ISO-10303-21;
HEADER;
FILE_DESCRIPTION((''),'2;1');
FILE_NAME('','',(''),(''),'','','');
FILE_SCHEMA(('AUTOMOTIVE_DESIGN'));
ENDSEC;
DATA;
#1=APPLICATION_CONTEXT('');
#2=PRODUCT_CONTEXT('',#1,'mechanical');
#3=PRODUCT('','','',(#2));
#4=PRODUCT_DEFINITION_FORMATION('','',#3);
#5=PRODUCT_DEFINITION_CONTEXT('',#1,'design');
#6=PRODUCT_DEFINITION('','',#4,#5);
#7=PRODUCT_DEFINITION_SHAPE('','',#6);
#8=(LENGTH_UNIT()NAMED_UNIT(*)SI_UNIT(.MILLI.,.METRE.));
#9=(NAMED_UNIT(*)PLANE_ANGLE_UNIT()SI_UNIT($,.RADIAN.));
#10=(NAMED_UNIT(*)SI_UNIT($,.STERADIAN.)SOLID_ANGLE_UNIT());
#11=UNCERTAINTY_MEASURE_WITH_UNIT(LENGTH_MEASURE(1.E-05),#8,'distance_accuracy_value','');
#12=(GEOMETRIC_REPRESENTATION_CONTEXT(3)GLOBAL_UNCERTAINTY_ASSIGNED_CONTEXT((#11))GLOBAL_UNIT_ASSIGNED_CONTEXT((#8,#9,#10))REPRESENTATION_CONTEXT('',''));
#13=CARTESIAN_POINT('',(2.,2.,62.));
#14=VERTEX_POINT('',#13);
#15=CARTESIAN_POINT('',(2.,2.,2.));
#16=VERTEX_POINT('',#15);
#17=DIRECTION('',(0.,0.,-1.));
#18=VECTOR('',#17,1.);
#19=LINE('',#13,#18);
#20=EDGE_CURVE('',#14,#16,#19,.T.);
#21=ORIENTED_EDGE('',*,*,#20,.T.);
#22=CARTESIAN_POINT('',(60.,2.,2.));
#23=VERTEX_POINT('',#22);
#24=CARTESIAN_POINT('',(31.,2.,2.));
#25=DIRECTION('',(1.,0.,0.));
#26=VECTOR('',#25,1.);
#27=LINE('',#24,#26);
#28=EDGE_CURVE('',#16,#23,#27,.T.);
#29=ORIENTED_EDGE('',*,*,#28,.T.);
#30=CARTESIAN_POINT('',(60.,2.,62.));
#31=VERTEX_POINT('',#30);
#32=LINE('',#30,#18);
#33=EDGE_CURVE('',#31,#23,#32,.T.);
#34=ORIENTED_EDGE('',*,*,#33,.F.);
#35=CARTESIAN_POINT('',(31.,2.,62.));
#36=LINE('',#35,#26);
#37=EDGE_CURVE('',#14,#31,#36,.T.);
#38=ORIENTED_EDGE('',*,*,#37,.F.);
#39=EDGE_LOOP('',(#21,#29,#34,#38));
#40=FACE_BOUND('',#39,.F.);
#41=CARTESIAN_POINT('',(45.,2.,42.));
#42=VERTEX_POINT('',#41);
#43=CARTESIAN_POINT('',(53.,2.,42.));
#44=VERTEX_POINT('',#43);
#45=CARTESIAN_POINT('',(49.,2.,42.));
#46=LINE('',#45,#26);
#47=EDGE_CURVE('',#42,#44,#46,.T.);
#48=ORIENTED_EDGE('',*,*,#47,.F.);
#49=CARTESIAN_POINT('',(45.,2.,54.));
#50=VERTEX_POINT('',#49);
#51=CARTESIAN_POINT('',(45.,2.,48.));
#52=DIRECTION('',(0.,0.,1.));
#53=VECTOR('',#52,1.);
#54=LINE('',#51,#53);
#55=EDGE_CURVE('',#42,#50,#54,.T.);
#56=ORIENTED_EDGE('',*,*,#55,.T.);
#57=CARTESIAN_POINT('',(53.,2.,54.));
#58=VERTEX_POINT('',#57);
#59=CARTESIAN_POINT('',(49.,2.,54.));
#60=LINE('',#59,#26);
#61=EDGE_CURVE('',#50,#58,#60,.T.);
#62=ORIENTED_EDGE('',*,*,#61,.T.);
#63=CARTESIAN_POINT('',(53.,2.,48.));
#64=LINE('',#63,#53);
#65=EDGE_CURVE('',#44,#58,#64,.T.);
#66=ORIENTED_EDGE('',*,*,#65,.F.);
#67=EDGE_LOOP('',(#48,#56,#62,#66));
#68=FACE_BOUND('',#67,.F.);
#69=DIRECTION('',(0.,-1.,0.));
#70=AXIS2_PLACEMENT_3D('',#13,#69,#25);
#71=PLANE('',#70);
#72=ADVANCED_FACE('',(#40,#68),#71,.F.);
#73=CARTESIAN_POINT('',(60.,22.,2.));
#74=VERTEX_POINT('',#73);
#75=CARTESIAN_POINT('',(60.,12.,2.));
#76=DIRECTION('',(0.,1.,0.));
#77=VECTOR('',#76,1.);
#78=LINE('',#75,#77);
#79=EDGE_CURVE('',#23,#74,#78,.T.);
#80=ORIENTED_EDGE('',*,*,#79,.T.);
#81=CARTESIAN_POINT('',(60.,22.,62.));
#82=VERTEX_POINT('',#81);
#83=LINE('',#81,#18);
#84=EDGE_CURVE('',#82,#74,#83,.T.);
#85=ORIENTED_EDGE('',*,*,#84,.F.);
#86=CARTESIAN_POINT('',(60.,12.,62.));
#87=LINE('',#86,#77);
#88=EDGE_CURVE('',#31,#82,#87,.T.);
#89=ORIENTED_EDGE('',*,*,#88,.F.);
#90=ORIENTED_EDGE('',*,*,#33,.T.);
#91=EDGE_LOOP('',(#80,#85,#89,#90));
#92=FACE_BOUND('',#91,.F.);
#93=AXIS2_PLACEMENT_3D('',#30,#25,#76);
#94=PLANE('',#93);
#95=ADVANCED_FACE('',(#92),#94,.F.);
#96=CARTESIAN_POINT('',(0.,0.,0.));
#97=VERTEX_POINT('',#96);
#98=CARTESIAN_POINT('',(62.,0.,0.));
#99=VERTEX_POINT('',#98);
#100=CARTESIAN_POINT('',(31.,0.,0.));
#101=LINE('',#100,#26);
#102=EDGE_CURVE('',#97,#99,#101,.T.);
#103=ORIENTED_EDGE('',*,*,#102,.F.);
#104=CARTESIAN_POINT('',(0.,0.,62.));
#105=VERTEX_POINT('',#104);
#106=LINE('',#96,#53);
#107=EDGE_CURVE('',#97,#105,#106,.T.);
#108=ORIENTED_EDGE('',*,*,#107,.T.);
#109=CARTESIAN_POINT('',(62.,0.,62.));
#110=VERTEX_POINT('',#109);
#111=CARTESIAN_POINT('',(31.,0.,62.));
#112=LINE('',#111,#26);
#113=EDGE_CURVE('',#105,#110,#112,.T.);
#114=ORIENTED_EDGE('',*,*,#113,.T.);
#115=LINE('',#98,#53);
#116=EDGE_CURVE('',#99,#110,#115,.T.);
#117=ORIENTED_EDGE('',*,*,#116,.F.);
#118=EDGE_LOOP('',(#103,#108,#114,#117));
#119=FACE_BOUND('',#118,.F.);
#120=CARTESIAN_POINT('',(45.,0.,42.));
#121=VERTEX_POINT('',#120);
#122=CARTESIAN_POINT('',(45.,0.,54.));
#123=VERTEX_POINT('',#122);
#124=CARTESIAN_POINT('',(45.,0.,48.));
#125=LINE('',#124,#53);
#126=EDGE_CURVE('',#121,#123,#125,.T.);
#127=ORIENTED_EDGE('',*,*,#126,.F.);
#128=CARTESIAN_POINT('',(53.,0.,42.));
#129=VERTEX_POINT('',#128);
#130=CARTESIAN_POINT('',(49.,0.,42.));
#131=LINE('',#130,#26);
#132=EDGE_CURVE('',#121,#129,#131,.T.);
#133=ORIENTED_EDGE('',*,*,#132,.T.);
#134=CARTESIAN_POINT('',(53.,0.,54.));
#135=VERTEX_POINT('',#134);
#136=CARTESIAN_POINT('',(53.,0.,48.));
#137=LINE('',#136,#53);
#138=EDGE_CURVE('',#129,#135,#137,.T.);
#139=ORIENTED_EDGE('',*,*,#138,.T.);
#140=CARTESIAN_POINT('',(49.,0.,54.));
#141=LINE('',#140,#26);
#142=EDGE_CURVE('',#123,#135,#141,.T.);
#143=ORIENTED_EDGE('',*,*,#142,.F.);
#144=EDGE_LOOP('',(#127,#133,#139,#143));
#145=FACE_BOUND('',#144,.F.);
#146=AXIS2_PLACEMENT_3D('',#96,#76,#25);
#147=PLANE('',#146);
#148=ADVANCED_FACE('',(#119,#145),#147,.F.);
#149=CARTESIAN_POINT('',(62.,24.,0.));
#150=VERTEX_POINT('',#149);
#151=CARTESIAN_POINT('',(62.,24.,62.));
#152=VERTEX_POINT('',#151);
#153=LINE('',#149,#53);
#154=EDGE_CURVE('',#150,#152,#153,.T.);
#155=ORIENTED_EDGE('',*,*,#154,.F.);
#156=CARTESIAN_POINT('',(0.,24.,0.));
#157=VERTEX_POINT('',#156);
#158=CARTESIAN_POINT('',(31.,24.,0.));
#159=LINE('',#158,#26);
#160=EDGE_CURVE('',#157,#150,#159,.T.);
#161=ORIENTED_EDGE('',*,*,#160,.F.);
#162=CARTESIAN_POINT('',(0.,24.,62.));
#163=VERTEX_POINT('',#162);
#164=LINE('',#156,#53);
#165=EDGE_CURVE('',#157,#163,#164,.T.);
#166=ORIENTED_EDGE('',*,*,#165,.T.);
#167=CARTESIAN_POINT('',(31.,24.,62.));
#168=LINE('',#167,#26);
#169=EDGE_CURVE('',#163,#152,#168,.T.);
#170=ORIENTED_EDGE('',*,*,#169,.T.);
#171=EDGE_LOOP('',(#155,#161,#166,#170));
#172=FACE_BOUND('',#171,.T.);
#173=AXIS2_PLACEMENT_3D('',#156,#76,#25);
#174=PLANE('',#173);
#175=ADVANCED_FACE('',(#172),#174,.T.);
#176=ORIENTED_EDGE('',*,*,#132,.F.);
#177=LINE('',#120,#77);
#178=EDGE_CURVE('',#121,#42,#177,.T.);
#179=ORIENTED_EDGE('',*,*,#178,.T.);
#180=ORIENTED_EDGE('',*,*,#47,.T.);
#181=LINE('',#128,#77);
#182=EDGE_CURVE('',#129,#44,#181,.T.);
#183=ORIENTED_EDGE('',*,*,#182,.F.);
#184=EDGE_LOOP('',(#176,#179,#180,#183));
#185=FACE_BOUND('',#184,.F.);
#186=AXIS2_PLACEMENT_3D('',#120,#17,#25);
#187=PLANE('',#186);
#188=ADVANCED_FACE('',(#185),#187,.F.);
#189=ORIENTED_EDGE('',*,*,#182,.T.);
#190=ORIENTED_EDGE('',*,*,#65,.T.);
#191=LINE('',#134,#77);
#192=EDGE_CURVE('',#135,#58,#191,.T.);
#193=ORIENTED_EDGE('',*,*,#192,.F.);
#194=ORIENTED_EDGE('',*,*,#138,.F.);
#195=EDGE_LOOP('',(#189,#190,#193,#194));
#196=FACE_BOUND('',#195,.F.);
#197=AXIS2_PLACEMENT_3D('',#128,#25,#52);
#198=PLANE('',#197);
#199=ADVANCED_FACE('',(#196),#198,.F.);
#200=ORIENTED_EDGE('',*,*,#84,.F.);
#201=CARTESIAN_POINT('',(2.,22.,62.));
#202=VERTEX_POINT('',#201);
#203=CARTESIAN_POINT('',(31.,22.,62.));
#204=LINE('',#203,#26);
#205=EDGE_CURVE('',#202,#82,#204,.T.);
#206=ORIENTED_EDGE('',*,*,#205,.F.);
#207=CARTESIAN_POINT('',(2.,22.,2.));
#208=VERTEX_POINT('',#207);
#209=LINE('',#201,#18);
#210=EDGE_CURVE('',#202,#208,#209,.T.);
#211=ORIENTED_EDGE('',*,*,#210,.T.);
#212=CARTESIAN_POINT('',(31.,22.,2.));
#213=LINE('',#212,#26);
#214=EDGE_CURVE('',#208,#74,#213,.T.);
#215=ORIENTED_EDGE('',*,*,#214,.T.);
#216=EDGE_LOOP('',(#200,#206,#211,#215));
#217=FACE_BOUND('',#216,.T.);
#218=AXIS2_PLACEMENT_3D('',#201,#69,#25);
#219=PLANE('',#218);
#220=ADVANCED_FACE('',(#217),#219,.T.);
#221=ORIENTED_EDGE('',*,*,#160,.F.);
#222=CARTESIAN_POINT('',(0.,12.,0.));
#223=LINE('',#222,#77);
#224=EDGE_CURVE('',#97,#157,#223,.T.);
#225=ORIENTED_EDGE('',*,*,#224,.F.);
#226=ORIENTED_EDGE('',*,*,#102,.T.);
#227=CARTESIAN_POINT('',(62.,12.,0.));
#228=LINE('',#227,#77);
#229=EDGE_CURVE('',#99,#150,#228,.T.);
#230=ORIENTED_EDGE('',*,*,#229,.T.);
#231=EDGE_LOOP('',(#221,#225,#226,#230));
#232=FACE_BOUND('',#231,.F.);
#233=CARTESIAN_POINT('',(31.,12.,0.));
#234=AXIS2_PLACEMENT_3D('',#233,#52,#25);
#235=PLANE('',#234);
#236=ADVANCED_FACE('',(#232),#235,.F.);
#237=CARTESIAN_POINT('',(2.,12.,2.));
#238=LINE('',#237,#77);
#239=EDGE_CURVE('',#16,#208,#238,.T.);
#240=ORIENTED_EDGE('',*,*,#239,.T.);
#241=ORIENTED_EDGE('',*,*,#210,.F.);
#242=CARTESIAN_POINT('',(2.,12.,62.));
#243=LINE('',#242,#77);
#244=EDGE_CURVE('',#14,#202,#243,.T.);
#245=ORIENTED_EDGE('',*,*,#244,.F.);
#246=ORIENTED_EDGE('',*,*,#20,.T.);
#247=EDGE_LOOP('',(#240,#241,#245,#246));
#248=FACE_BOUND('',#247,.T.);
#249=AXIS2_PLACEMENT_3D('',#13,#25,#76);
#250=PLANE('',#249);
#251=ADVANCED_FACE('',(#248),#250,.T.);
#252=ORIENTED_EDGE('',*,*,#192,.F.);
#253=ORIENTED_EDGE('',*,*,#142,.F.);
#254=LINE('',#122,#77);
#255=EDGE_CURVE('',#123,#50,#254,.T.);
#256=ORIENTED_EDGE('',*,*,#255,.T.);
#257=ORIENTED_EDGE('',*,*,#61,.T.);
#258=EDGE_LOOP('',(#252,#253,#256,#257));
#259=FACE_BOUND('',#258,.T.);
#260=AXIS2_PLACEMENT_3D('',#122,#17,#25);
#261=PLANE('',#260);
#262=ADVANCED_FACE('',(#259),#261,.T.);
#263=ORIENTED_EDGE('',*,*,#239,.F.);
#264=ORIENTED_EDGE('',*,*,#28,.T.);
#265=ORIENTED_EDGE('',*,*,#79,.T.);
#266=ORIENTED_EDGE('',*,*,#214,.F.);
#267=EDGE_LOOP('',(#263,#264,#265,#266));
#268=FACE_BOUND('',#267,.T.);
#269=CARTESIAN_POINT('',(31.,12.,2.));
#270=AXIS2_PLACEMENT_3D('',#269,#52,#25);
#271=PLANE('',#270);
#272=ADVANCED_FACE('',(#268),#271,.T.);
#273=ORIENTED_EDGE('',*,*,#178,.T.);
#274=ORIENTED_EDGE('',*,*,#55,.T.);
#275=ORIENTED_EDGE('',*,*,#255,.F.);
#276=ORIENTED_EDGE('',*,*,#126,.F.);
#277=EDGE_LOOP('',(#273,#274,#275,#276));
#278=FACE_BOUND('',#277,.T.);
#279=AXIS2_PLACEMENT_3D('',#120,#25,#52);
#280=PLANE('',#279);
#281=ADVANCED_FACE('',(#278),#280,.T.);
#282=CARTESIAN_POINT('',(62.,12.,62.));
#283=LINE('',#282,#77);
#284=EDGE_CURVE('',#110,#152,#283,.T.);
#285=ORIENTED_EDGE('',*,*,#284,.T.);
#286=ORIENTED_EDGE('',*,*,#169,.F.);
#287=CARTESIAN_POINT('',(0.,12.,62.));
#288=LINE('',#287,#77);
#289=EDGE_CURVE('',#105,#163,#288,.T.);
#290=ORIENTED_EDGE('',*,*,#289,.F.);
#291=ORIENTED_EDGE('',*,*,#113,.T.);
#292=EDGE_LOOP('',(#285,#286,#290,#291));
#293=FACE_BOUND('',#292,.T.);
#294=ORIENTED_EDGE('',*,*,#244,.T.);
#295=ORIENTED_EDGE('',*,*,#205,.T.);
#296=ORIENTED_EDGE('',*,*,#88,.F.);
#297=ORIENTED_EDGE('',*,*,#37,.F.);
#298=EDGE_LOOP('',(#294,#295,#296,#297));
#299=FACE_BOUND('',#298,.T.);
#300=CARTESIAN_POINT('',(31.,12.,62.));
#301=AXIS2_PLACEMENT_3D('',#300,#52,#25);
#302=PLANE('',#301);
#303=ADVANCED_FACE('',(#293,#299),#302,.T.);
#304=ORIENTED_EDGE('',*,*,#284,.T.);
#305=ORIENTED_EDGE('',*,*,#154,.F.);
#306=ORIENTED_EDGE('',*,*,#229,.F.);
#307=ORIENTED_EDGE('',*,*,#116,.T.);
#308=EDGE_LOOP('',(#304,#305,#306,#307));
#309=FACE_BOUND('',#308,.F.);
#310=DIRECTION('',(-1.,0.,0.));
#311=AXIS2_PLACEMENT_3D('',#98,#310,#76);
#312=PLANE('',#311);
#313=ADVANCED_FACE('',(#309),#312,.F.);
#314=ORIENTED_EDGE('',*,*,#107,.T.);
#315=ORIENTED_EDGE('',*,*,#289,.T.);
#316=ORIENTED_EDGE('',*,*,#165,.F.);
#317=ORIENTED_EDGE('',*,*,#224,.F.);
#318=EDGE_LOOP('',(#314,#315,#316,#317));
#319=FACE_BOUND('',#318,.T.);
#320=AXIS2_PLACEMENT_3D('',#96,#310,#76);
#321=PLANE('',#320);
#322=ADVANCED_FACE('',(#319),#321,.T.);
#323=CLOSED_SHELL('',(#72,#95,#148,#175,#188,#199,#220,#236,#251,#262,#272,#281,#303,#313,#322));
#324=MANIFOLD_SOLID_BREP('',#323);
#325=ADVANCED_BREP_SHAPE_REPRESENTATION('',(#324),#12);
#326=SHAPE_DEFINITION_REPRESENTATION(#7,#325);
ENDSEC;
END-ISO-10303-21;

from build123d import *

# Parameters (mm, degrees)
SKETCH_W        = 62
SKETCH_H        = 24
PAD_DEPTH       = 62
SKETCH001_W     = 58
SKETCH001_H     = 20
POCKET_DEPTH    = 60
SKETCH002_W     = 8
SKETCH002_H     = 12
POCKET001_DEPTH = 2


with BuildPart() as part:
    # Sketch → Pad (new body)
    with BuildSketch(Plane.XY):
        with Locations((31, 12)):
            Rectangle(SKETCH_W, SKETCH_H)
    extrude(amount=PAD_DEPTH)

    # Sketch001 (on Face6 of Pad) → Pocket (cut)
    with BuildSketch(Plane.XY.offset(62)):
        with Locations((31, 12)):
            Rectangle(SKETCH001_W, SKETCH001_H)
    extrude(amount=-POCKET_DEPTH, mode=Mode.SUBTRACT)

    # Sketch002 (on Face1 of Pocket) → Pocket001 (cut)
    with BuildSketch(Plane.XZ):
        with Locations((49, 48)):
            Rectangle(SKETCH002_W, SKETCH002_H)
    extrude(amount=-POCKET001_DEPTH, mode=Mode.SUBTRACT)


solid = part.part
